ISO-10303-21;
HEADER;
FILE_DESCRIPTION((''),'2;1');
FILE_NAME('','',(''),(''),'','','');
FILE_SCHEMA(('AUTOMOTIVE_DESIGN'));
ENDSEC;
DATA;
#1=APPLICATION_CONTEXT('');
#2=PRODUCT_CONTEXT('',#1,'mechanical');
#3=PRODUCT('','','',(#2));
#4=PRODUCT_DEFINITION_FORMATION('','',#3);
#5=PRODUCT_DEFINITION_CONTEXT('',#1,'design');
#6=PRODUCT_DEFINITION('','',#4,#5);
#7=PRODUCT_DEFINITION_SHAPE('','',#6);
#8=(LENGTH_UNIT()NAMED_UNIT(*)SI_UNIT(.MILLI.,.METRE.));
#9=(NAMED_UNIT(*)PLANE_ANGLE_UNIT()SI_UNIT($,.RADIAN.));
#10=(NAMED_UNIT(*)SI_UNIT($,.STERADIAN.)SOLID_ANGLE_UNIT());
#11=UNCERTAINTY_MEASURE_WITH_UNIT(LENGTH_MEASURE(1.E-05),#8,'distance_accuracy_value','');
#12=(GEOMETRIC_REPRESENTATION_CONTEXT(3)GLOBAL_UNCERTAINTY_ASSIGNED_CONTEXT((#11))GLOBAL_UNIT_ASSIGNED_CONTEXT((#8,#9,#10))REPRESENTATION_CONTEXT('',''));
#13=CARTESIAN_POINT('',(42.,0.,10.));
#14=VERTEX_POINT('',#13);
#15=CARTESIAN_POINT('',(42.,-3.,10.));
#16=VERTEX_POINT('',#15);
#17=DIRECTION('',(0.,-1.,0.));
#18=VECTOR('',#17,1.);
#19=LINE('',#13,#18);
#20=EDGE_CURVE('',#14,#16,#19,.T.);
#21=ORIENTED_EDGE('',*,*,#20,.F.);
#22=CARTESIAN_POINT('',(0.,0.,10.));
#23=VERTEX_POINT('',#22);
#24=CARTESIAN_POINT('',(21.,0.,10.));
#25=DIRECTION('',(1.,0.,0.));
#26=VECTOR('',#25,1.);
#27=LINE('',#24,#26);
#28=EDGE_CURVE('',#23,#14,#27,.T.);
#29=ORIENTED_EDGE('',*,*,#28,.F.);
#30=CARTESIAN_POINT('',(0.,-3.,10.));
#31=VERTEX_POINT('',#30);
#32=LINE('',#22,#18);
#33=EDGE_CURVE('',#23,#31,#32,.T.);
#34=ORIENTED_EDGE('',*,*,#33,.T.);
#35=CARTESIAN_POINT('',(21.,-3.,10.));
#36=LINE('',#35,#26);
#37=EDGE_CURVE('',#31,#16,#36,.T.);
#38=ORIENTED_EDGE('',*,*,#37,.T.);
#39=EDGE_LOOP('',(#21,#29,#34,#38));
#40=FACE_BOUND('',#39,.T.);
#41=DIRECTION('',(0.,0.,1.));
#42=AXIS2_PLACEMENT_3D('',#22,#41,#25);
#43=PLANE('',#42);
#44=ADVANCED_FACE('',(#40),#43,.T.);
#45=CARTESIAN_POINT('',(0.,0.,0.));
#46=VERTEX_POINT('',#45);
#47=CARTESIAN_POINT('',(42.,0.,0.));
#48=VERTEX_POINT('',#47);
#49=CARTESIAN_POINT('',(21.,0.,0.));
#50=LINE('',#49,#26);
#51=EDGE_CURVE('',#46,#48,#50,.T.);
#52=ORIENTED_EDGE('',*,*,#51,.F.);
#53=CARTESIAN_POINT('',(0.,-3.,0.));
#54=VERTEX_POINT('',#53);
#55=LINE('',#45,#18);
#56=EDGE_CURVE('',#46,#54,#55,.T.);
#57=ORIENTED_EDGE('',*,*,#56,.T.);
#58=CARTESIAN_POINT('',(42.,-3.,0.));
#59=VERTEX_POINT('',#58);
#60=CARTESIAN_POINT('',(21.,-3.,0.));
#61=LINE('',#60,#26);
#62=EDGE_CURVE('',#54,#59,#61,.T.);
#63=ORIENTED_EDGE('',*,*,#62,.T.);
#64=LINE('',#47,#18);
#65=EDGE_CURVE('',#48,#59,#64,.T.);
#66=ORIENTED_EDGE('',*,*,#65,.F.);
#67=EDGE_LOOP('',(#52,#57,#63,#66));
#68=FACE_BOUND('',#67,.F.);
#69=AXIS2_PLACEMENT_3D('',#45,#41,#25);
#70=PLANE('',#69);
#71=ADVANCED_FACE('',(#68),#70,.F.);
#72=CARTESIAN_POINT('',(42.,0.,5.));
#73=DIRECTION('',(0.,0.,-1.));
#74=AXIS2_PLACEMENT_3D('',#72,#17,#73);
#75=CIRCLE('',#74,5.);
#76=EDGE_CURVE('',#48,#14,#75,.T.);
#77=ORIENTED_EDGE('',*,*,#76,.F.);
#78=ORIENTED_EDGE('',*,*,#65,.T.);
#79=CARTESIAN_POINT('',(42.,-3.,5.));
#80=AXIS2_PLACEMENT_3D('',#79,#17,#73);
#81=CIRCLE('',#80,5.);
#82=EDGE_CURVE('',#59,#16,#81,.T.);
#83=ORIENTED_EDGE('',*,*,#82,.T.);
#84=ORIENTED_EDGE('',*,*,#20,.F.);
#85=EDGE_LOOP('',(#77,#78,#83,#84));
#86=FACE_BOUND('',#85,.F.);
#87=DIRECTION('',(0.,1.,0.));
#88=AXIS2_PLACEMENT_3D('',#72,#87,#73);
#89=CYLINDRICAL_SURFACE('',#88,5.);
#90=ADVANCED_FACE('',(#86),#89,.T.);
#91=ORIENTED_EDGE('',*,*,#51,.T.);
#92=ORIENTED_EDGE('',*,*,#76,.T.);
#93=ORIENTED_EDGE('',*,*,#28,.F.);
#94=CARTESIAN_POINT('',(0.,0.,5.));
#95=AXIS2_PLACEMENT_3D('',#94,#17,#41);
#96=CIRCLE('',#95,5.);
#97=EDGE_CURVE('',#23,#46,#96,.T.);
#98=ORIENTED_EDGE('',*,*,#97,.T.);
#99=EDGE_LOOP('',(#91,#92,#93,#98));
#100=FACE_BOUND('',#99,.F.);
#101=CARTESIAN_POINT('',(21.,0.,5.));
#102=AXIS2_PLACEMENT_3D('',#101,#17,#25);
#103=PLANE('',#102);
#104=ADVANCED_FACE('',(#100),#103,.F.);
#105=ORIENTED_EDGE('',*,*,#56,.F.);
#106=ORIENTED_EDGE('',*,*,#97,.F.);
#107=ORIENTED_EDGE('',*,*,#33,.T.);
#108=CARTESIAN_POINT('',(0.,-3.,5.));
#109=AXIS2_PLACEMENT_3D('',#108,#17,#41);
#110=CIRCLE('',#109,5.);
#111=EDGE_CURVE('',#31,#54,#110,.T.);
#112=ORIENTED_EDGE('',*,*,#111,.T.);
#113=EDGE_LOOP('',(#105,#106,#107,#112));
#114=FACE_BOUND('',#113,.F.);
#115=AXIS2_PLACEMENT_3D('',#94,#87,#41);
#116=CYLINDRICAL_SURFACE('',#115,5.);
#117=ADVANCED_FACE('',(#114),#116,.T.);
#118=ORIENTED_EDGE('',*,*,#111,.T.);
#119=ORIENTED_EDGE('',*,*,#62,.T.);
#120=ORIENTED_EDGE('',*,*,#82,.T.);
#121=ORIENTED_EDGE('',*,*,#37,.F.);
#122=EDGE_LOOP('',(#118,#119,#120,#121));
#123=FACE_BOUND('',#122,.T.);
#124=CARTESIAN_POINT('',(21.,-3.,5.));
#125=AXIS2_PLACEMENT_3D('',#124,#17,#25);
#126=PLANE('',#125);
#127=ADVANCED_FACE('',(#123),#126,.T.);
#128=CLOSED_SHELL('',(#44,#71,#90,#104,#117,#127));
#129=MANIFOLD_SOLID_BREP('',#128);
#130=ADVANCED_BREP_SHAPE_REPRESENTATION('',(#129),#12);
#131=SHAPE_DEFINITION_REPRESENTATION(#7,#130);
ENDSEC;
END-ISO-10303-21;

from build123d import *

# Parameters (mm, degrees)
F0_W     = 42
F0_H     = 10
F1_DEPTH = 3


with BuildPart() as f1:
    # F0 (on Front) → F1 (new body)
    with BuildSketch(Plane.XZ):
        with Locations((21, 5)):
            Rectangle(F0_W, F0_H)
        with BuildLine():
            ThreePointArc((0, 10), (-5, 5), (0, 0))
            Line((0, 0), (0, 10))
        make_face()
        with BuildLine():
            Line((42, 10), (42, 0))
            ThreePointArc((42, 0), (47, 5), (42, 10))
        make_face()
    extrude(amount=F1_DEPTH)


solid = f1.part
